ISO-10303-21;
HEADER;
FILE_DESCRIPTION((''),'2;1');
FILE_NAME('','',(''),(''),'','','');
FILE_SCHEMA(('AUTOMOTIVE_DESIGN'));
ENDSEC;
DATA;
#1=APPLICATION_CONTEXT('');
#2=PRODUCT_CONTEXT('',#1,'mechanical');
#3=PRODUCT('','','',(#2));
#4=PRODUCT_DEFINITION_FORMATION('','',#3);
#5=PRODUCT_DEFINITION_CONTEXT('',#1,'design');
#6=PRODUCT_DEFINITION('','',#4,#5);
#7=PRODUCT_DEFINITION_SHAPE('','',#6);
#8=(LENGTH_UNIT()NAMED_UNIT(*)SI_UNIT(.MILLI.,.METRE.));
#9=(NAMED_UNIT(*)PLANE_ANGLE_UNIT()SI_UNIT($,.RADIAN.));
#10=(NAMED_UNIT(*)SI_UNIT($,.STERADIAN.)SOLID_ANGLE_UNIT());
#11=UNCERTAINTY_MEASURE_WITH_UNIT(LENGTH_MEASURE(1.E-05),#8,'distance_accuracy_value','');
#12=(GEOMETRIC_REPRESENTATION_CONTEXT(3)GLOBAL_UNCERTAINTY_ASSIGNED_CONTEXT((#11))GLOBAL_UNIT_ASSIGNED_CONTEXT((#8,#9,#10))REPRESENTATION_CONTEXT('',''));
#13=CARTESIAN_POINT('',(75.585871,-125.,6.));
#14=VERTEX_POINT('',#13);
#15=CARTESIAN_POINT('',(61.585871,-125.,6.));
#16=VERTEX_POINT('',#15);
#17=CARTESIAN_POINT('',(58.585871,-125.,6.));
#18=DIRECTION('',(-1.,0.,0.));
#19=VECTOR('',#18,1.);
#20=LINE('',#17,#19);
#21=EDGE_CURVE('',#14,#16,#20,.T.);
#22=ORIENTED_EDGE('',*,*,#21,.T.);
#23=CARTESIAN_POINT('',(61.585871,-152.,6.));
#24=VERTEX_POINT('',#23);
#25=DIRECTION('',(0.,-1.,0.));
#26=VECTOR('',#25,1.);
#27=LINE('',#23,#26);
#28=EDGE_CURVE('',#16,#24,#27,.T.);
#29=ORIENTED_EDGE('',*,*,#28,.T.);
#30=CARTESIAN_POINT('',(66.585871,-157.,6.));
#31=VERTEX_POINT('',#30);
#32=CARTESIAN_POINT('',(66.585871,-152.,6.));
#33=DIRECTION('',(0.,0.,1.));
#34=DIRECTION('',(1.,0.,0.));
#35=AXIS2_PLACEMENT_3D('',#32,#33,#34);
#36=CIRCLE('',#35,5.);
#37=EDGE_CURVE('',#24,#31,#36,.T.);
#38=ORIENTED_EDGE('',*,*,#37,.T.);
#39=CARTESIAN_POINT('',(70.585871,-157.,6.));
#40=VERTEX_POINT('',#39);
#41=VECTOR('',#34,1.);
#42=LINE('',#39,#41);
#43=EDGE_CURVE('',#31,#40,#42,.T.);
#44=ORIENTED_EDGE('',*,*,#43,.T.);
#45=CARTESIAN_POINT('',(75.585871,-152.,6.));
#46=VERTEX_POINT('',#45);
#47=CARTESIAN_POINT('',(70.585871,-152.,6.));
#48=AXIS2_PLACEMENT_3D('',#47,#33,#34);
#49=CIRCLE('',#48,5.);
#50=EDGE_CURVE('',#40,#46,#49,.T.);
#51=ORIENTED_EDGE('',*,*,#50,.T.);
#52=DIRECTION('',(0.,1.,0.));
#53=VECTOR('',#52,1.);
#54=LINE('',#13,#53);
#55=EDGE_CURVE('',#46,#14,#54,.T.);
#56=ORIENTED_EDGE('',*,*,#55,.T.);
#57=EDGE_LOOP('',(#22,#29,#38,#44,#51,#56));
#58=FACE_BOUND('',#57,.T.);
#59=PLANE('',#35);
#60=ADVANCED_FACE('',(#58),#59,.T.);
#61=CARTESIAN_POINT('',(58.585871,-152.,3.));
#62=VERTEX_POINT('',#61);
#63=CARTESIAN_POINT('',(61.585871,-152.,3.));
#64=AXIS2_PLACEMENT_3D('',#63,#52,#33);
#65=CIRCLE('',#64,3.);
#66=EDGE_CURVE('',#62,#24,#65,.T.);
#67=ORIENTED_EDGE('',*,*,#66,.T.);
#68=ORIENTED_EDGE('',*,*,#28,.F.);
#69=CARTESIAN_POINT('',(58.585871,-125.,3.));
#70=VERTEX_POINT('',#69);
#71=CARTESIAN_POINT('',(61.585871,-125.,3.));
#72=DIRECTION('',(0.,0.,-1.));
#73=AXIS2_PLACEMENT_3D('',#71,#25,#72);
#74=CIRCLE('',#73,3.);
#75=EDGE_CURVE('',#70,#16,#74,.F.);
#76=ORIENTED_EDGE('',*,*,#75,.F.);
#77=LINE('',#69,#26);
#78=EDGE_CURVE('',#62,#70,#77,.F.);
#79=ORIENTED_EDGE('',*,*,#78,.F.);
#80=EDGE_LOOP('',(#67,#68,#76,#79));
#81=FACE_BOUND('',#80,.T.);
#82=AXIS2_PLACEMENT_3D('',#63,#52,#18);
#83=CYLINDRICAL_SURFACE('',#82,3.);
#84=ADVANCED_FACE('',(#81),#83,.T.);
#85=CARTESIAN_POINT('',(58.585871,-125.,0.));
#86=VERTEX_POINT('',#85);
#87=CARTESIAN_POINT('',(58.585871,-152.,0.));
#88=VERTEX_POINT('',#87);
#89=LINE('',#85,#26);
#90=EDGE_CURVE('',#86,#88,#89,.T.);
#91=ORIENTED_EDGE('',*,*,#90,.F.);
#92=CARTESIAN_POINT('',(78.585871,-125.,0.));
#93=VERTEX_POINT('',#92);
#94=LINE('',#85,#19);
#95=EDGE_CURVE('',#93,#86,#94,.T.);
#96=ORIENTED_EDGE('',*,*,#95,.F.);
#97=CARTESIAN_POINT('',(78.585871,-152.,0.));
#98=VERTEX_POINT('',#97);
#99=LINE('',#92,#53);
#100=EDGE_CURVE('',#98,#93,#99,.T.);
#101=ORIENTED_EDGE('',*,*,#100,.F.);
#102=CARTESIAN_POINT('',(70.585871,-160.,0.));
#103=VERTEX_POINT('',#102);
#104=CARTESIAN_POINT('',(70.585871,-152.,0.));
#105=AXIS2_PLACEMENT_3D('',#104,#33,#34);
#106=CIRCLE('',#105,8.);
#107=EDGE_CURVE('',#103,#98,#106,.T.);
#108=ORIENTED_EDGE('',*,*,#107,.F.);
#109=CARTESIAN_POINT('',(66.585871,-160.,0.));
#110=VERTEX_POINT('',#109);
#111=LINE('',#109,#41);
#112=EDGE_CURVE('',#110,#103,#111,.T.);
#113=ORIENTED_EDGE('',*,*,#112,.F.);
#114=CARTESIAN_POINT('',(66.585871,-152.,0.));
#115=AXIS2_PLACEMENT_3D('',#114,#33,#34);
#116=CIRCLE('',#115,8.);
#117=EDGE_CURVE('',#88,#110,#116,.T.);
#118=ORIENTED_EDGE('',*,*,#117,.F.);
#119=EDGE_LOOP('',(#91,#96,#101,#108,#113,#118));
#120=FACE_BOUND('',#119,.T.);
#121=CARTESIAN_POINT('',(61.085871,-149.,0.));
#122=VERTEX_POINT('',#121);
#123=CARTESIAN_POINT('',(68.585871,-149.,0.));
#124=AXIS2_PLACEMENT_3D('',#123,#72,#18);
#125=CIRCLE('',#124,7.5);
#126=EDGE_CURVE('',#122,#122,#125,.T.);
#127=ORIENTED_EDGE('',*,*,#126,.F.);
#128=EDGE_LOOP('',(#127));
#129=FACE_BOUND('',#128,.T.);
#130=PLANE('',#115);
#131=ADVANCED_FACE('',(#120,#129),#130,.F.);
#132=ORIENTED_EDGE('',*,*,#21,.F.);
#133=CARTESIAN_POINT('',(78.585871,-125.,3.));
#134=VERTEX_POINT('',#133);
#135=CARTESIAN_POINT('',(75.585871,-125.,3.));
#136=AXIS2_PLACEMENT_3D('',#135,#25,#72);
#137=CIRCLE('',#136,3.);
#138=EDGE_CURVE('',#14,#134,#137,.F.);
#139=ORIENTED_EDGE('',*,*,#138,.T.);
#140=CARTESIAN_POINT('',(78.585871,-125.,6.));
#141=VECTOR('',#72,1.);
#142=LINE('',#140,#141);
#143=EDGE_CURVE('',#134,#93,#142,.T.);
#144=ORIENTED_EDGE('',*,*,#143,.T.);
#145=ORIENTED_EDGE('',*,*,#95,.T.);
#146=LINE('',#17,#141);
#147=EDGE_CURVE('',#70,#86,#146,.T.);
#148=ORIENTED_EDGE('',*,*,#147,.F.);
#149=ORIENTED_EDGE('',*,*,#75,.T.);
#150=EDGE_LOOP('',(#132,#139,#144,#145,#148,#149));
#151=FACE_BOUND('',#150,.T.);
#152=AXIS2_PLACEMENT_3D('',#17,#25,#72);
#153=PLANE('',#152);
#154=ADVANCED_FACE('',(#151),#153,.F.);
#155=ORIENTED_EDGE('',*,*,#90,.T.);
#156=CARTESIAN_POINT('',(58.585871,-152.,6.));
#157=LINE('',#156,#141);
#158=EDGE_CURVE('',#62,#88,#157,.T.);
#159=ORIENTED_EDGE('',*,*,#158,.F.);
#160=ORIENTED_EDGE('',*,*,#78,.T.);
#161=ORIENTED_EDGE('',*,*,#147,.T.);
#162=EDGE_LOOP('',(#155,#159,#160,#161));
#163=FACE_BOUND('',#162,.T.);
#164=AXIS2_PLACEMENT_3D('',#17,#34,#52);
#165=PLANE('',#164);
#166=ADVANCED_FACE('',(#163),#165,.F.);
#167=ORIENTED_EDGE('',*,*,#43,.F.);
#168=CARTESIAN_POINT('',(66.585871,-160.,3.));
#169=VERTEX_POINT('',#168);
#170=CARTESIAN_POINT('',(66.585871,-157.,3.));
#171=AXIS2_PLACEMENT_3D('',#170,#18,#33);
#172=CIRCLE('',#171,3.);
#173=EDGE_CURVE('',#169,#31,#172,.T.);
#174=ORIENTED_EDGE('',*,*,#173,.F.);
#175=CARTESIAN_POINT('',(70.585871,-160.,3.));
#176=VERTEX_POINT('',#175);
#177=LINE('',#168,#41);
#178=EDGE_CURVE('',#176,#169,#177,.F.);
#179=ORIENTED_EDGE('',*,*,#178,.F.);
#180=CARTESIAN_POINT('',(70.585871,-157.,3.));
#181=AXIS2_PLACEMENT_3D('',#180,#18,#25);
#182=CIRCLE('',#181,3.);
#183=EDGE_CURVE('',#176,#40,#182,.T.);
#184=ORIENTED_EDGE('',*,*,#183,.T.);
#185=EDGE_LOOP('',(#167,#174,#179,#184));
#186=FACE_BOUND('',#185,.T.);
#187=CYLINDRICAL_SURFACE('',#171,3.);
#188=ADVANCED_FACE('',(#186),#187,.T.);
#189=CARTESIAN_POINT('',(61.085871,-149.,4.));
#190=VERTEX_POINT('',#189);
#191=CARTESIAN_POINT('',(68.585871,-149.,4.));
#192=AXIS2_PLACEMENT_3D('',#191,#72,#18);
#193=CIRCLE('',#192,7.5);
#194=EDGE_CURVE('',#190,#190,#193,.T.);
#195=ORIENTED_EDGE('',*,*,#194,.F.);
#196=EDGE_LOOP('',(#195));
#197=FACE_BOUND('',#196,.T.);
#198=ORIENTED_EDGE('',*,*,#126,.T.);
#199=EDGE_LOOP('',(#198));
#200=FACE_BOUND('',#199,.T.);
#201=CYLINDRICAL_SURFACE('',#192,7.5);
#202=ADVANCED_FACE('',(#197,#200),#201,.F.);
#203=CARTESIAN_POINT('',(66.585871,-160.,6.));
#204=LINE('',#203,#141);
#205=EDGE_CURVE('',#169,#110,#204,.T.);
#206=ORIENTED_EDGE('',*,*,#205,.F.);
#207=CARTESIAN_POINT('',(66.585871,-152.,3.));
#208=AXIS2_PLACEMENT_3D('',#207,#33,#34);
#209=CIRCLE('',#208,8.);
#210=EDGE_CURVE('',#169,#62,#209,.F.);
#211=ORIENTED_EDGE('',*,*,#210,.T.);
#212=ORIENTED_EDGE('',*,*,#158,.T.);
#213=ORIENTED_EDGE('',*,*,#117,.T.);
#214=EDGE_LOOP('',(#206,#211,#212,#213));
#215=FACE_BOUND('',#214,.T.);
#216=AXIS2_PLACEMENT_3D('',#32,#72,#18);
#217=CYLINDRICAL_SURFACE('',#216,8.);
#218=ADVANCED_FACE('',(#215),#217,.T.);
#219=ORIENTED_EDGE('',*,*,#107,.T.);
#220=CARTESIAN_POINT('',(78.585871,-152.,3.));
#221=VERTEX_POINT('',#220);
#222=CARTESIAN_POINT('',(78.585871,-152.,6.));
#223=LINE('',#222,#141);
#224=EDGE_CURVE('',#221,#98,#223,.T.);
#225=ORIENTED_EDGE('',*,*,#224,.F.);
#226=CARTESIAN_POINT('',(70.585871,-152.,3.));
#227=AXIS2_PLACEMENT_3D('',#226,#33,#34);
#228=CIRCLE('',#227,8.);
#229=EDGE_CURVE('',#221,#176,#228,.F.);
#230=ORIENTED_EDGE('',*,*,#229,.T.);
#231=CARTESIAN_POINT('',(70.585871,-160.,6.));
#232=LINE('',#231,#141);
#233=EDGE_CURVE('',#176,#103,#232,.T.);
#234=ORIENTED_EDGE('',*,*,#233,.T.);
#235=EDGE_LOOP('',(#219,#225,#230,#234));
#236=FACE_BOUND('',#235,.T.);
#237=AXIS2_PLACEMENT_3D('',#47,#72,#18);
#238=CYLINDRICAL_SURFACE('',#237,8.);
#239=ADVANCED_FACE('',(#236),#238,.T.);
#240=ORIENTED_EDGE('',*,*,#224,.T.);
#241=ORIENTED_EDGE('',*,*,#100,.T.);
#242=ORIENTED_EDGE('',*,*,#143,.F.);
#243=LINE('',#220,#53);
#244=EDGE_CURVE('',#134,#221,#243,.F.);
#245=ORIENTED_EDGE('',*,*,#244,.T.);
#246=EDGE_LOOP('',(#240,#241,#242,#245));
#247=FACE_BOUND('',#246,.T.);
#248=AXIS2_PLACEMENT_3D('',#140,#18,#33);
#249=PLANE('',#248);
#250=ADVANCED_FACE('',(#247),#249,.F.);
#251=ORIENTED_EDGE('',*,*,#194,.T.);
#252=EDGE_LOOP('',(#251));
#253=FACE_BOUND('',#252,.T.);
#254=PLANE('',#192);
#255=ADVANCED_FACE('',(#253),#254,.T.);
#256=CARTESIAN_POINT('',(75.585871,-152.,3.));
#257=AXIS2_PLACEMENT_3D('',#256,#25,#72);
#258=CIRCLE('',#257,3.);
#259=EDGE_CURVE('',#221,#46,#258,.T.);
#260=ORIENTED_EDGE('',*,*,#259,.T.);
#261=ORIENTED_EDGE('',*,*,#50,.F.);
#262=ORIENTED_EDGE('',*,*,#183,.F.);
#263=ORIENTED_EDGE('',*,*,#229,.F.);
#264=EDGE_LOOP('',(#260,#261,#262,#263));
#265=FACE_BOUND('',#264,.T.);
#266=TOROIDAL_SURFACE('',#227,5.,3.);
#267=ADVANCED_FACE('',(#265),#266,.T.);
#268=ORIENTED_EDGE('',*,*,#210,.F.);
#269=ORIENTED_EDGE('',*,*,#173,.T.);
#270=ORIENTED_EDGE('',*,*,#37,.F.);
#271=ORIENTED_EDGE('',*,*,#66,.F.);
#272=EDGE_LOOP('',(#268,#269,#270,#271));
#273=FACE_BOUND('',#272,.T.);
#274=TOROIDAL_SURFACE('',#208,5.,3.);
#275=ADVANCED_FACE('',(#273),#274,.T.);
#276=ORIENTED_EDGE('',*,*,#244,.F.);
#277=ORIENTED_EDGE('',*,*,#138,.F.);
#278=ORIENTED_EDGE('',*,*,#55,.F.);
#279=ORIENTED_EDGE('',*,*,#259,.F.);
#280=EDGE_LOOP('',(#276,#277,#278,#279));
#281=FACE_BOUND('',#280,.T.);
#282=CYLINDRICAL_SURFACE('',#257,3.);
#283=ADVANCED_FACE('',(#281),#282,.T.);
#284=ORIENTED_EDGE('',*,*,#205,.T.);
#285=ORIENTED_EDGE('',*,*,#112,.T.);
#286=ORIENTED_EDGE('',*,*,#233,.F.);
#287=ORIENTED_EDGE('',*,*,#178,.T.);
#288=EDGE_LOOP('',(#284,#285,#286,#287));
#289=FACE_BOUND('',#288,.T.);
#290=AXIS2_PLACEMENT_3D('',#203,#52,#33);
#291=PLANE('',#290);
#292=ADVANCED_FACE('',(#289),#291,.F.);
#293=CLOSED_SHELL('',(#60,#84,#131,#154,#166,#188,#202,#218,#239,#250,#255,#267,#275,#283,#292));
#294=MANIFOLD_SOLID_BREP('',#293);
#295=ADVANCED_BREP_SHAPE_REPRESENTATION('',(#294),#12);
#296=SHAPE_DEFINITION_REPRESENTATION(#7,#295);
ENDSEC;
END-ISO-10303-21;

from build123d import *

# Parameters (mm, degrees)
BOSS_EXTRUDE1_DEPTH = 6
FILLET1_R           = 3
SKETCH2_R           = 7.5
CUT_EXTRUDE1_DEPTH  = 4


with BuildPart() as part:
    # Sketch1 → Boss-Extrude1 (new body)
    with BuildSketch(Plane.XY):
        with BuildLine():
            Line((58.585871194, -125), (78.585871194, -125))
            Line((78.585871194, -125), (78.585871194, -152))
            ThreePointArc((78.585871194, -152), (76.242725443, -157.656854249), (70.585871194, -160))
            Line((70.585871194, -160), (66.585871194, -160))
            ThreePointArc((66.585871194, -160), (60.929016944, -157.656854249), (58.585871194, -152))
            Line((58.585871194, -152), (58.585871194, -125))
        make_face()
    extrude(amount=BOSS_EXTRUDE1_DEPTH)

    # Fillet1
    fillet1_edges = [part.edges().sort_by_distance(p)[0] for p in [
        (68.585871194, -160, 6),
        (76.242725443, -157.656854249, 6),
        (78.585871194, -138.5, 6),
        (58.585871194, -138.5, 6),
        (60.929016944, -157.656854249, 6),
    ]]
    fillet(fillet1_edges, radius=FILLET1_R)

    # Sketch2 → Cut-Extrude1 (cut)
    with BuildSketch(Plane(origin=(0, 0, 0), x_dir=(-1, 0, 0), z_dir=(0, 0, -1))):
        with Locations((-68.585871194, -149)):
            Circle(SKETCH2_R)
    extrude(amount=-CUT_EXTRUDE1_DEPTH, mode=Mode.SUBTRACT)


solid = part.part
